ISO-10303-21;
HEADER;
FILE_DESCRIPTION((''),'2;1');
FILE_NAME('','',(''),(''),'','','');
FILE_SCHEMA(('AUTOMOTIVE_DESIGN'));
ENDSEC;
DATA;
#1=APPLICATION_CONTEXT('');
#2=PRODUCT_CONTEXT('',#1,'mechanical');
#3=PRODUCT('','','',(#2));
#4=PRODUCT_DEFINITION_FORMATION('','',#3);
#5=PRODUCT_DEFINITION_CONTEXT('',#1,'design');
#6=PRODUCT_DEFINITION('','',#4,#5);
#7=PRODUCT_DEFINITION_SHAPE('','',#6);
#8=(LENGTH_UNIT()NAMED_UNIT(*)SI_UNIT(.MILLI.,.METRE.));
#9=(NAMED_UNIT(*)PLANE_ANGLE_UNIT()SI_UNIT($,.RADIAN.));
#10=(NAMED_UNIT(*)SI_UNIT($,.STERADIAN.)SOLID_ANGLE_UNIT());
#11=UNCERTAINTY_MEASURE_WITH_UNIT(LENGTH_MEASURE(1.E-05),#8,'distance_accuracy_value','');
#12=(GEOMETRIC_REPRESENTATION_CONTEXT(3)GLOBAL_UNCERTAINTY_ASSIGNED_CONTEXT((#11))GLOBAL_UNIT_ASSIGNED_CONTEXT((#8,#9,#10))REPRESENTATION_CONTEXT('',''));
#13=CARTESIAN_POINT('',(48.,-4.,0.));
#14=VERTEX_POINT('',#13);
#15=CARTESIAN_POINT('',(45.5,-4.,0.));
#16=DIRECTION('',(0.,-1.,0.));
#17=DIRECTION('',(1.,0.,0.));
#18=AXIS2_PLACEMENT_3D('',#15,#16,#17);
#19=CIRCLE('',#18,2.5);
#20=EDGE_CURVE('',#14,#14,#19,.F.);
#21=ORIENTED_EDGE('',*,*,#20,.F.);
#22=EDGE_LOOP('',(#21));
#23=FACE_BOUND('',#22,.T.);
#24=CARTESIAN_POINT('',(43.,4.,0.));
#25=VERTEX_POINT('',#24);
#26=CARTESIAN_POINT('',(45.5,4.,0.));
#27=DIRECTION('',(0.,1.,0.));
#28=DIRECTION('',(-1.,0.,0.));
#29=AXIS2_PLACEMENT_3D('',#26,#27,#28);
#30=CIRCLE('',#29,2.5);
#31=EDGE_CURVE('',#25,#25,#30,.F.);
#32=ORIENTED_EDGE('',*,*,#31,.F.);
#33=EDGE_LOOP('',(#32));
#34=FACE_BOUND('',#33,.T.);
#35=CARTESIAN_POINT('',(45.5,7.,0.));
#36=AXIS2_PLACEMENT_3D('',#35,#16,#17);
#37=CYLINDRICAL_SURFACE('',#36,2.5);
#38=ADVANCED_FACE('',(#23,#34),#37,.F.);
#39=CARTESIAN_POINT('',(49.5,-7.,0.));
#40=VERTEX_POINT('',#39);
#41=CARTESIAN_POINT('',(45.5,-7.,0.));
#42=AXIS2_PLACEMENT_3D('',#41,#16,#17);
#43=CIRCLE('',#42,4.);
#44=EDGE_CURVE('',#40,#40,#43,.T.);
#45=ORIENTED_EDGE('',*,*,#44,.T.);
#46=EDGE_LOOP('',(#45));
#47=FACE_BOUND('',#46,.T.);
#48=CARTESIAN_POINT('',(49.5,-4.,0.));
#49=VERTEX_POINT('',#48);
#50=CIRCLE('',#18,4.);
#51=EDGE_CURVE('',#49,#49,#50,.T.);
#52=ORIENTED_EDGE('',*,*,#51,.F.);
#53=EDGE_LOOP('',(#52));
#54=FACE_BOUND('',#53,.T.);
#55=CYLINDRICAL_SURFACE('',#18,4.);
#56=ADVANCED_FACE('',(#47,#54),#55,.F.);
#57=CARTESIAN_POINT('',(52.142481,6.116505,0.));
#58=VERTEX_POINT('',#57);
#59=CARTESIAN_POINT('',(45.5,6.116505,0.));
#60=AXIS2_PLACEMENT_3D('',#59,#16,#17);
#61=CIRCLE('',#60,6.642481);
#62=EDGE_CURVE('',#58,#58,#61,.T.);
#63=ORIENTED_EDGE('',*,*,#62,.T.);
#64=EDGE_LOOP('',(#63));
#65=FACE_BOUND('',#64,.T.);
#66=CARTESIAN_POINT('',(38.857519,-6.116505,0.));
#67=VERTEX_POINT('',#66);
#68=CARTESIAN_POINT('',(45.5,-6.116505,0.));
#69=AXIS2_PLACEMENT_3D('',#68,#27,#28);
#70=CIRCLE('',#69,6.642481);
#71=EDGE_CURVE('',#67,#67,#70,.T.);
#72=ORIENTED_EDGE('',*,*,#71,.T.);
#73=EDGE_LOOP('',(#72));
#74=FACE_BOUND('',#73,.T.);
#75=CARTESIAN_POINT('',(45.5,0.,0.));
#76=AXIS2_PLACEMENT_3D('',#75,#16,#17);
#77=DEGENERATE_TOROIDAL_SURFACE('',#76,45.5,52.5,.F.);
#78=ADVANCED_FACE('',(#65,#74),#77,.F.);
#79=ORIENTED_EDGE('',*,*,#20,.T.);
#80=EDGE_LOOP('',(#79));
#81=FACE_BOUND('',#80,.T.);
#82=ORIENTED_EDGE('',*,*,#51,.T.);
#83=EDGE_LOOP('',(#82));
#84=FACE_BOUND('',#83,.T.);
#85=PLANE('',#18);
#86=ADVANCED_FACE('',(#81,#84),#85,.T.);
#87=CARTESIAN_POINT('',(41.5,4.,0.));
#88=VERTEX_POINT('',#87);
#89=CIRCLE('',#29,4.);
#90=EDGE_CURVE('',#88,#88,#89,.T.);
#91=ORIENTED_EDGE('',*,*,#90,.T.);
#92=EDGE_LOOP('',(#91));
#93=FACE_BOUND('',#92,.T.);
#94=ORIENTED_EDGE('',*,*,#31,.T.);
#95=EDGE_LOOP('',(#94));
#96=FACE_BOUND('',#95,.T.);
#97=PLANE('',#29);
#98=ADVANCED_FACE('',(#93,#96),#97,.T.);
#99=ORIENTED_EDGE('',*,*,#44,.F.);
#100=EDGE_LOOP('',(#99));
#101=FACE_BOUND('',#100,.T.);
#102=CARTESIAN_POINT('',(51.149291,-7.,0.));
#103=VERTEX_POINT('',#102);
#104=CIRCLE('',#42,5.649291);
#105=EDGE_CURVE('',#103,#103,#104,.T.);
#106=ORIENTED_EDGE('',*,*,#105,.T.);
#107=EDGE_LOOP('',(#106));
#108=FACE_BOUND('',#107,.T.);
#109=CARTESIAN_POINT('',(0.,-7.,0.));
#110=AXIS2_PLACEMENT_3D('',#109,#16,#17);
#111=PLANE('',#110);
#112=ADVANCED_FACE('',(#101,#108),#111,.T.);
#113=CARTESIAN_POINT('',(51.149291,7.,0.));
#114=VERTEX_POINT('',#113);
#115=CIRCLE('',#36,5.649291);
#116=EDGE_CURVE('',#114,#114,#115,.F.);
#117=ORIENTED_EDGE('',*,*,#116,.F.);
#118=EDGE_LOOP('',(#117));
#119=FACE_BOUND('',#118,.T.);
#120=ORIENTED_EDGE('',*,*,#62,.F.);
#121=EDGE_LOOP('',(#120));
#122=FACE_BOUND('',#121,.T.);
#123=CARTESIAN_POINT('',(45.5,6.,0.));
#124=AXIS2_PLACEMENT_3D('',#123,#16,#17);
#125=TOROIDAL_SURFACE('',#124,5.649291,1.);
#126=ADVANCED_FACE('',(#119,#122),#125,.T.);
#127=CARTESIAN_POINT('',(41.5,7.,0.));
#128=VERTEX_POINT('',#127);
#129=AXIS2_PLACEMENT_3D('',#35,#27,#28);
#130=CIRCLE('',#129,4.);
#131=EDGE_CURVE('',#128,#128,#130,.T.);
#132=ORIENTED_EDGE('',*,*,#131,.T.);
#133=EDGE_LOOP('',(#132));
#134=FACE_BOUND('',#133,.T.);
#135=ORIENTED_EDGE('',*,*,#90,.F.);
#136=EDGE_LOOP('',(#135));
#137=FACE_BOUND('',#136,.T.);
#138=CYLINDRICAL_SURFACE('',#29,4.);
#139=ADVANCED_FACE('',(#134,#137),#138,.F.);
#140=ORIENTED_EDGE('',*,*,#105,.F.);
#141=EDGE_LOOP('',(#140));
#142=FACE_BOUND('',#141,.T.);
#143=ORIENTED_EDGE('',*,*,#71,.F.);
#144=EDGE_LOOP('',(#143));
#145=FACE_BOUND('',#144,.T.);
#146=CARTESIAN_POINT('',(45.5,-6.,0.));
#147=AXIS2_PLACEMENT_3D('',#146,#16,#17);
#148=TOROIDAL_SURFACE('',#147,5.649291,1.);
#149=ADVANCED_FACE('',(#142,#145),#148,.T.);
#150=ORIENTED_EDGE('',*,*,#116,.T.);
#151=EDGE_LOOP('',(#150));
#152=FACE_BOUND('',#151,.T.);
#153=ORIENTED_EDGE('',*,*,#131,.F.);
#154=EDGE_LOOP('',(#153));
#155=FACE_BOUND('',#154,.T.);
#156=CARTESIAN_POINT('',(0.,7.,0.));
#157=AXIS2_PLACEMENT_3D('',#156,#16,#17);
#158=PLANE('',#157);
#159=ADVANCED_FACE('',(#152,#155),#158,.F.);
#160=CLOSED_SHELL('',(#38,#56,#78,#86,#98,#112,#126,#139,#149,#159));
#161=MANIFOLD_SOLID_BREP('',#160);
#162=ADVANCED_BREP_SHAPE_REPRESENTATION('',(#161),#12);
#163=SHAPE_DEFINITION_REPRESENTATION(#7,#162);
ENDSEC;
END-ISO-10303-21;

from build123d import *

# Parameters (mm, degrees)
FILLET1_R          = 1
SKETCH2_R          = 2.5
CUT_EXTRUDE1_DEPTH = 55.783665583
SKETCH3_R          = 4
CUT_EXTRUDE2_DEPTH = 3
CUT_EXTRUDE3_START = -3
SKETCH4_R          = 4
CUT_EXTRUDE3_DEPTH = 3


with BuildPart() as part:
    # Sketch1 → Revolve2 (revolve)
    with BuildSketch(Plane.XY):
        with BuildLine():
            Line((52.031240616, 7), (45.5, 7))
            Line((45.5, 7), (45.5, -7))
            Line((45.5, -7), (52.031240616, -7))
            ThreePointArc((52.031240616, -7), (52.382679066, -3.507838913), (52.5, 0))
            ThreePointArc((52.5, 0), (52.382679066, 3.507838913), (52.031240616, 7))
        make_face()
    revolve(axis=Axis((45.5, 50.130379051, 0), (0, -1, 0)))

    # Fillet1
    fillet1_edges = [part.edges().sort_by_distance(p)[0] for p in [
        (38.968759384, 7, 0),
        (38.968759384, -7, 0),
    ]]
    fillet(fillet1_edges, radius=FILLET1_R)

    # Sketch2 → Cut-Extrude1 (cut, through all)
    with BuildSketch(Plane.XZ.offset(7)):
        with Locations((45.5, 0)):
            Circle(SKETCH2_R)
    extrude(amount=-CUT_EXTRUDE1_DEPTH, mode=Mode.SUBTRACT)

    # Sketch3 → Cut-Extrude2 (cut)
    with BuildSketch(Plane(origin=(0, 7, 0), x_dir=(1, 0, 0), z_dir=(0, 1, 0))):
        with Locations(Location((45.5, 0, 0), (0, 0, 180))):
            Circle(SKETCH3_R)
    extrude(amount=-CUT_EXTRUDE2_DEPTH, mode=Mode.SUBTRACT)

    # Sketch4 → Cut-Extrude3 (cut)
    with BuildSketch(Plane.XZ.offset(7).offset(CUT_EXTRUDE3_START)):
        with Locations(Location((45.5, 0, 0), (0, 0, 180))):
            Circle(SKETCH4_R)
    extrude(amount=CUT_EXTRUDE3_DEPTH, mode=Mode.SUBTRACT)


solid = part.part
